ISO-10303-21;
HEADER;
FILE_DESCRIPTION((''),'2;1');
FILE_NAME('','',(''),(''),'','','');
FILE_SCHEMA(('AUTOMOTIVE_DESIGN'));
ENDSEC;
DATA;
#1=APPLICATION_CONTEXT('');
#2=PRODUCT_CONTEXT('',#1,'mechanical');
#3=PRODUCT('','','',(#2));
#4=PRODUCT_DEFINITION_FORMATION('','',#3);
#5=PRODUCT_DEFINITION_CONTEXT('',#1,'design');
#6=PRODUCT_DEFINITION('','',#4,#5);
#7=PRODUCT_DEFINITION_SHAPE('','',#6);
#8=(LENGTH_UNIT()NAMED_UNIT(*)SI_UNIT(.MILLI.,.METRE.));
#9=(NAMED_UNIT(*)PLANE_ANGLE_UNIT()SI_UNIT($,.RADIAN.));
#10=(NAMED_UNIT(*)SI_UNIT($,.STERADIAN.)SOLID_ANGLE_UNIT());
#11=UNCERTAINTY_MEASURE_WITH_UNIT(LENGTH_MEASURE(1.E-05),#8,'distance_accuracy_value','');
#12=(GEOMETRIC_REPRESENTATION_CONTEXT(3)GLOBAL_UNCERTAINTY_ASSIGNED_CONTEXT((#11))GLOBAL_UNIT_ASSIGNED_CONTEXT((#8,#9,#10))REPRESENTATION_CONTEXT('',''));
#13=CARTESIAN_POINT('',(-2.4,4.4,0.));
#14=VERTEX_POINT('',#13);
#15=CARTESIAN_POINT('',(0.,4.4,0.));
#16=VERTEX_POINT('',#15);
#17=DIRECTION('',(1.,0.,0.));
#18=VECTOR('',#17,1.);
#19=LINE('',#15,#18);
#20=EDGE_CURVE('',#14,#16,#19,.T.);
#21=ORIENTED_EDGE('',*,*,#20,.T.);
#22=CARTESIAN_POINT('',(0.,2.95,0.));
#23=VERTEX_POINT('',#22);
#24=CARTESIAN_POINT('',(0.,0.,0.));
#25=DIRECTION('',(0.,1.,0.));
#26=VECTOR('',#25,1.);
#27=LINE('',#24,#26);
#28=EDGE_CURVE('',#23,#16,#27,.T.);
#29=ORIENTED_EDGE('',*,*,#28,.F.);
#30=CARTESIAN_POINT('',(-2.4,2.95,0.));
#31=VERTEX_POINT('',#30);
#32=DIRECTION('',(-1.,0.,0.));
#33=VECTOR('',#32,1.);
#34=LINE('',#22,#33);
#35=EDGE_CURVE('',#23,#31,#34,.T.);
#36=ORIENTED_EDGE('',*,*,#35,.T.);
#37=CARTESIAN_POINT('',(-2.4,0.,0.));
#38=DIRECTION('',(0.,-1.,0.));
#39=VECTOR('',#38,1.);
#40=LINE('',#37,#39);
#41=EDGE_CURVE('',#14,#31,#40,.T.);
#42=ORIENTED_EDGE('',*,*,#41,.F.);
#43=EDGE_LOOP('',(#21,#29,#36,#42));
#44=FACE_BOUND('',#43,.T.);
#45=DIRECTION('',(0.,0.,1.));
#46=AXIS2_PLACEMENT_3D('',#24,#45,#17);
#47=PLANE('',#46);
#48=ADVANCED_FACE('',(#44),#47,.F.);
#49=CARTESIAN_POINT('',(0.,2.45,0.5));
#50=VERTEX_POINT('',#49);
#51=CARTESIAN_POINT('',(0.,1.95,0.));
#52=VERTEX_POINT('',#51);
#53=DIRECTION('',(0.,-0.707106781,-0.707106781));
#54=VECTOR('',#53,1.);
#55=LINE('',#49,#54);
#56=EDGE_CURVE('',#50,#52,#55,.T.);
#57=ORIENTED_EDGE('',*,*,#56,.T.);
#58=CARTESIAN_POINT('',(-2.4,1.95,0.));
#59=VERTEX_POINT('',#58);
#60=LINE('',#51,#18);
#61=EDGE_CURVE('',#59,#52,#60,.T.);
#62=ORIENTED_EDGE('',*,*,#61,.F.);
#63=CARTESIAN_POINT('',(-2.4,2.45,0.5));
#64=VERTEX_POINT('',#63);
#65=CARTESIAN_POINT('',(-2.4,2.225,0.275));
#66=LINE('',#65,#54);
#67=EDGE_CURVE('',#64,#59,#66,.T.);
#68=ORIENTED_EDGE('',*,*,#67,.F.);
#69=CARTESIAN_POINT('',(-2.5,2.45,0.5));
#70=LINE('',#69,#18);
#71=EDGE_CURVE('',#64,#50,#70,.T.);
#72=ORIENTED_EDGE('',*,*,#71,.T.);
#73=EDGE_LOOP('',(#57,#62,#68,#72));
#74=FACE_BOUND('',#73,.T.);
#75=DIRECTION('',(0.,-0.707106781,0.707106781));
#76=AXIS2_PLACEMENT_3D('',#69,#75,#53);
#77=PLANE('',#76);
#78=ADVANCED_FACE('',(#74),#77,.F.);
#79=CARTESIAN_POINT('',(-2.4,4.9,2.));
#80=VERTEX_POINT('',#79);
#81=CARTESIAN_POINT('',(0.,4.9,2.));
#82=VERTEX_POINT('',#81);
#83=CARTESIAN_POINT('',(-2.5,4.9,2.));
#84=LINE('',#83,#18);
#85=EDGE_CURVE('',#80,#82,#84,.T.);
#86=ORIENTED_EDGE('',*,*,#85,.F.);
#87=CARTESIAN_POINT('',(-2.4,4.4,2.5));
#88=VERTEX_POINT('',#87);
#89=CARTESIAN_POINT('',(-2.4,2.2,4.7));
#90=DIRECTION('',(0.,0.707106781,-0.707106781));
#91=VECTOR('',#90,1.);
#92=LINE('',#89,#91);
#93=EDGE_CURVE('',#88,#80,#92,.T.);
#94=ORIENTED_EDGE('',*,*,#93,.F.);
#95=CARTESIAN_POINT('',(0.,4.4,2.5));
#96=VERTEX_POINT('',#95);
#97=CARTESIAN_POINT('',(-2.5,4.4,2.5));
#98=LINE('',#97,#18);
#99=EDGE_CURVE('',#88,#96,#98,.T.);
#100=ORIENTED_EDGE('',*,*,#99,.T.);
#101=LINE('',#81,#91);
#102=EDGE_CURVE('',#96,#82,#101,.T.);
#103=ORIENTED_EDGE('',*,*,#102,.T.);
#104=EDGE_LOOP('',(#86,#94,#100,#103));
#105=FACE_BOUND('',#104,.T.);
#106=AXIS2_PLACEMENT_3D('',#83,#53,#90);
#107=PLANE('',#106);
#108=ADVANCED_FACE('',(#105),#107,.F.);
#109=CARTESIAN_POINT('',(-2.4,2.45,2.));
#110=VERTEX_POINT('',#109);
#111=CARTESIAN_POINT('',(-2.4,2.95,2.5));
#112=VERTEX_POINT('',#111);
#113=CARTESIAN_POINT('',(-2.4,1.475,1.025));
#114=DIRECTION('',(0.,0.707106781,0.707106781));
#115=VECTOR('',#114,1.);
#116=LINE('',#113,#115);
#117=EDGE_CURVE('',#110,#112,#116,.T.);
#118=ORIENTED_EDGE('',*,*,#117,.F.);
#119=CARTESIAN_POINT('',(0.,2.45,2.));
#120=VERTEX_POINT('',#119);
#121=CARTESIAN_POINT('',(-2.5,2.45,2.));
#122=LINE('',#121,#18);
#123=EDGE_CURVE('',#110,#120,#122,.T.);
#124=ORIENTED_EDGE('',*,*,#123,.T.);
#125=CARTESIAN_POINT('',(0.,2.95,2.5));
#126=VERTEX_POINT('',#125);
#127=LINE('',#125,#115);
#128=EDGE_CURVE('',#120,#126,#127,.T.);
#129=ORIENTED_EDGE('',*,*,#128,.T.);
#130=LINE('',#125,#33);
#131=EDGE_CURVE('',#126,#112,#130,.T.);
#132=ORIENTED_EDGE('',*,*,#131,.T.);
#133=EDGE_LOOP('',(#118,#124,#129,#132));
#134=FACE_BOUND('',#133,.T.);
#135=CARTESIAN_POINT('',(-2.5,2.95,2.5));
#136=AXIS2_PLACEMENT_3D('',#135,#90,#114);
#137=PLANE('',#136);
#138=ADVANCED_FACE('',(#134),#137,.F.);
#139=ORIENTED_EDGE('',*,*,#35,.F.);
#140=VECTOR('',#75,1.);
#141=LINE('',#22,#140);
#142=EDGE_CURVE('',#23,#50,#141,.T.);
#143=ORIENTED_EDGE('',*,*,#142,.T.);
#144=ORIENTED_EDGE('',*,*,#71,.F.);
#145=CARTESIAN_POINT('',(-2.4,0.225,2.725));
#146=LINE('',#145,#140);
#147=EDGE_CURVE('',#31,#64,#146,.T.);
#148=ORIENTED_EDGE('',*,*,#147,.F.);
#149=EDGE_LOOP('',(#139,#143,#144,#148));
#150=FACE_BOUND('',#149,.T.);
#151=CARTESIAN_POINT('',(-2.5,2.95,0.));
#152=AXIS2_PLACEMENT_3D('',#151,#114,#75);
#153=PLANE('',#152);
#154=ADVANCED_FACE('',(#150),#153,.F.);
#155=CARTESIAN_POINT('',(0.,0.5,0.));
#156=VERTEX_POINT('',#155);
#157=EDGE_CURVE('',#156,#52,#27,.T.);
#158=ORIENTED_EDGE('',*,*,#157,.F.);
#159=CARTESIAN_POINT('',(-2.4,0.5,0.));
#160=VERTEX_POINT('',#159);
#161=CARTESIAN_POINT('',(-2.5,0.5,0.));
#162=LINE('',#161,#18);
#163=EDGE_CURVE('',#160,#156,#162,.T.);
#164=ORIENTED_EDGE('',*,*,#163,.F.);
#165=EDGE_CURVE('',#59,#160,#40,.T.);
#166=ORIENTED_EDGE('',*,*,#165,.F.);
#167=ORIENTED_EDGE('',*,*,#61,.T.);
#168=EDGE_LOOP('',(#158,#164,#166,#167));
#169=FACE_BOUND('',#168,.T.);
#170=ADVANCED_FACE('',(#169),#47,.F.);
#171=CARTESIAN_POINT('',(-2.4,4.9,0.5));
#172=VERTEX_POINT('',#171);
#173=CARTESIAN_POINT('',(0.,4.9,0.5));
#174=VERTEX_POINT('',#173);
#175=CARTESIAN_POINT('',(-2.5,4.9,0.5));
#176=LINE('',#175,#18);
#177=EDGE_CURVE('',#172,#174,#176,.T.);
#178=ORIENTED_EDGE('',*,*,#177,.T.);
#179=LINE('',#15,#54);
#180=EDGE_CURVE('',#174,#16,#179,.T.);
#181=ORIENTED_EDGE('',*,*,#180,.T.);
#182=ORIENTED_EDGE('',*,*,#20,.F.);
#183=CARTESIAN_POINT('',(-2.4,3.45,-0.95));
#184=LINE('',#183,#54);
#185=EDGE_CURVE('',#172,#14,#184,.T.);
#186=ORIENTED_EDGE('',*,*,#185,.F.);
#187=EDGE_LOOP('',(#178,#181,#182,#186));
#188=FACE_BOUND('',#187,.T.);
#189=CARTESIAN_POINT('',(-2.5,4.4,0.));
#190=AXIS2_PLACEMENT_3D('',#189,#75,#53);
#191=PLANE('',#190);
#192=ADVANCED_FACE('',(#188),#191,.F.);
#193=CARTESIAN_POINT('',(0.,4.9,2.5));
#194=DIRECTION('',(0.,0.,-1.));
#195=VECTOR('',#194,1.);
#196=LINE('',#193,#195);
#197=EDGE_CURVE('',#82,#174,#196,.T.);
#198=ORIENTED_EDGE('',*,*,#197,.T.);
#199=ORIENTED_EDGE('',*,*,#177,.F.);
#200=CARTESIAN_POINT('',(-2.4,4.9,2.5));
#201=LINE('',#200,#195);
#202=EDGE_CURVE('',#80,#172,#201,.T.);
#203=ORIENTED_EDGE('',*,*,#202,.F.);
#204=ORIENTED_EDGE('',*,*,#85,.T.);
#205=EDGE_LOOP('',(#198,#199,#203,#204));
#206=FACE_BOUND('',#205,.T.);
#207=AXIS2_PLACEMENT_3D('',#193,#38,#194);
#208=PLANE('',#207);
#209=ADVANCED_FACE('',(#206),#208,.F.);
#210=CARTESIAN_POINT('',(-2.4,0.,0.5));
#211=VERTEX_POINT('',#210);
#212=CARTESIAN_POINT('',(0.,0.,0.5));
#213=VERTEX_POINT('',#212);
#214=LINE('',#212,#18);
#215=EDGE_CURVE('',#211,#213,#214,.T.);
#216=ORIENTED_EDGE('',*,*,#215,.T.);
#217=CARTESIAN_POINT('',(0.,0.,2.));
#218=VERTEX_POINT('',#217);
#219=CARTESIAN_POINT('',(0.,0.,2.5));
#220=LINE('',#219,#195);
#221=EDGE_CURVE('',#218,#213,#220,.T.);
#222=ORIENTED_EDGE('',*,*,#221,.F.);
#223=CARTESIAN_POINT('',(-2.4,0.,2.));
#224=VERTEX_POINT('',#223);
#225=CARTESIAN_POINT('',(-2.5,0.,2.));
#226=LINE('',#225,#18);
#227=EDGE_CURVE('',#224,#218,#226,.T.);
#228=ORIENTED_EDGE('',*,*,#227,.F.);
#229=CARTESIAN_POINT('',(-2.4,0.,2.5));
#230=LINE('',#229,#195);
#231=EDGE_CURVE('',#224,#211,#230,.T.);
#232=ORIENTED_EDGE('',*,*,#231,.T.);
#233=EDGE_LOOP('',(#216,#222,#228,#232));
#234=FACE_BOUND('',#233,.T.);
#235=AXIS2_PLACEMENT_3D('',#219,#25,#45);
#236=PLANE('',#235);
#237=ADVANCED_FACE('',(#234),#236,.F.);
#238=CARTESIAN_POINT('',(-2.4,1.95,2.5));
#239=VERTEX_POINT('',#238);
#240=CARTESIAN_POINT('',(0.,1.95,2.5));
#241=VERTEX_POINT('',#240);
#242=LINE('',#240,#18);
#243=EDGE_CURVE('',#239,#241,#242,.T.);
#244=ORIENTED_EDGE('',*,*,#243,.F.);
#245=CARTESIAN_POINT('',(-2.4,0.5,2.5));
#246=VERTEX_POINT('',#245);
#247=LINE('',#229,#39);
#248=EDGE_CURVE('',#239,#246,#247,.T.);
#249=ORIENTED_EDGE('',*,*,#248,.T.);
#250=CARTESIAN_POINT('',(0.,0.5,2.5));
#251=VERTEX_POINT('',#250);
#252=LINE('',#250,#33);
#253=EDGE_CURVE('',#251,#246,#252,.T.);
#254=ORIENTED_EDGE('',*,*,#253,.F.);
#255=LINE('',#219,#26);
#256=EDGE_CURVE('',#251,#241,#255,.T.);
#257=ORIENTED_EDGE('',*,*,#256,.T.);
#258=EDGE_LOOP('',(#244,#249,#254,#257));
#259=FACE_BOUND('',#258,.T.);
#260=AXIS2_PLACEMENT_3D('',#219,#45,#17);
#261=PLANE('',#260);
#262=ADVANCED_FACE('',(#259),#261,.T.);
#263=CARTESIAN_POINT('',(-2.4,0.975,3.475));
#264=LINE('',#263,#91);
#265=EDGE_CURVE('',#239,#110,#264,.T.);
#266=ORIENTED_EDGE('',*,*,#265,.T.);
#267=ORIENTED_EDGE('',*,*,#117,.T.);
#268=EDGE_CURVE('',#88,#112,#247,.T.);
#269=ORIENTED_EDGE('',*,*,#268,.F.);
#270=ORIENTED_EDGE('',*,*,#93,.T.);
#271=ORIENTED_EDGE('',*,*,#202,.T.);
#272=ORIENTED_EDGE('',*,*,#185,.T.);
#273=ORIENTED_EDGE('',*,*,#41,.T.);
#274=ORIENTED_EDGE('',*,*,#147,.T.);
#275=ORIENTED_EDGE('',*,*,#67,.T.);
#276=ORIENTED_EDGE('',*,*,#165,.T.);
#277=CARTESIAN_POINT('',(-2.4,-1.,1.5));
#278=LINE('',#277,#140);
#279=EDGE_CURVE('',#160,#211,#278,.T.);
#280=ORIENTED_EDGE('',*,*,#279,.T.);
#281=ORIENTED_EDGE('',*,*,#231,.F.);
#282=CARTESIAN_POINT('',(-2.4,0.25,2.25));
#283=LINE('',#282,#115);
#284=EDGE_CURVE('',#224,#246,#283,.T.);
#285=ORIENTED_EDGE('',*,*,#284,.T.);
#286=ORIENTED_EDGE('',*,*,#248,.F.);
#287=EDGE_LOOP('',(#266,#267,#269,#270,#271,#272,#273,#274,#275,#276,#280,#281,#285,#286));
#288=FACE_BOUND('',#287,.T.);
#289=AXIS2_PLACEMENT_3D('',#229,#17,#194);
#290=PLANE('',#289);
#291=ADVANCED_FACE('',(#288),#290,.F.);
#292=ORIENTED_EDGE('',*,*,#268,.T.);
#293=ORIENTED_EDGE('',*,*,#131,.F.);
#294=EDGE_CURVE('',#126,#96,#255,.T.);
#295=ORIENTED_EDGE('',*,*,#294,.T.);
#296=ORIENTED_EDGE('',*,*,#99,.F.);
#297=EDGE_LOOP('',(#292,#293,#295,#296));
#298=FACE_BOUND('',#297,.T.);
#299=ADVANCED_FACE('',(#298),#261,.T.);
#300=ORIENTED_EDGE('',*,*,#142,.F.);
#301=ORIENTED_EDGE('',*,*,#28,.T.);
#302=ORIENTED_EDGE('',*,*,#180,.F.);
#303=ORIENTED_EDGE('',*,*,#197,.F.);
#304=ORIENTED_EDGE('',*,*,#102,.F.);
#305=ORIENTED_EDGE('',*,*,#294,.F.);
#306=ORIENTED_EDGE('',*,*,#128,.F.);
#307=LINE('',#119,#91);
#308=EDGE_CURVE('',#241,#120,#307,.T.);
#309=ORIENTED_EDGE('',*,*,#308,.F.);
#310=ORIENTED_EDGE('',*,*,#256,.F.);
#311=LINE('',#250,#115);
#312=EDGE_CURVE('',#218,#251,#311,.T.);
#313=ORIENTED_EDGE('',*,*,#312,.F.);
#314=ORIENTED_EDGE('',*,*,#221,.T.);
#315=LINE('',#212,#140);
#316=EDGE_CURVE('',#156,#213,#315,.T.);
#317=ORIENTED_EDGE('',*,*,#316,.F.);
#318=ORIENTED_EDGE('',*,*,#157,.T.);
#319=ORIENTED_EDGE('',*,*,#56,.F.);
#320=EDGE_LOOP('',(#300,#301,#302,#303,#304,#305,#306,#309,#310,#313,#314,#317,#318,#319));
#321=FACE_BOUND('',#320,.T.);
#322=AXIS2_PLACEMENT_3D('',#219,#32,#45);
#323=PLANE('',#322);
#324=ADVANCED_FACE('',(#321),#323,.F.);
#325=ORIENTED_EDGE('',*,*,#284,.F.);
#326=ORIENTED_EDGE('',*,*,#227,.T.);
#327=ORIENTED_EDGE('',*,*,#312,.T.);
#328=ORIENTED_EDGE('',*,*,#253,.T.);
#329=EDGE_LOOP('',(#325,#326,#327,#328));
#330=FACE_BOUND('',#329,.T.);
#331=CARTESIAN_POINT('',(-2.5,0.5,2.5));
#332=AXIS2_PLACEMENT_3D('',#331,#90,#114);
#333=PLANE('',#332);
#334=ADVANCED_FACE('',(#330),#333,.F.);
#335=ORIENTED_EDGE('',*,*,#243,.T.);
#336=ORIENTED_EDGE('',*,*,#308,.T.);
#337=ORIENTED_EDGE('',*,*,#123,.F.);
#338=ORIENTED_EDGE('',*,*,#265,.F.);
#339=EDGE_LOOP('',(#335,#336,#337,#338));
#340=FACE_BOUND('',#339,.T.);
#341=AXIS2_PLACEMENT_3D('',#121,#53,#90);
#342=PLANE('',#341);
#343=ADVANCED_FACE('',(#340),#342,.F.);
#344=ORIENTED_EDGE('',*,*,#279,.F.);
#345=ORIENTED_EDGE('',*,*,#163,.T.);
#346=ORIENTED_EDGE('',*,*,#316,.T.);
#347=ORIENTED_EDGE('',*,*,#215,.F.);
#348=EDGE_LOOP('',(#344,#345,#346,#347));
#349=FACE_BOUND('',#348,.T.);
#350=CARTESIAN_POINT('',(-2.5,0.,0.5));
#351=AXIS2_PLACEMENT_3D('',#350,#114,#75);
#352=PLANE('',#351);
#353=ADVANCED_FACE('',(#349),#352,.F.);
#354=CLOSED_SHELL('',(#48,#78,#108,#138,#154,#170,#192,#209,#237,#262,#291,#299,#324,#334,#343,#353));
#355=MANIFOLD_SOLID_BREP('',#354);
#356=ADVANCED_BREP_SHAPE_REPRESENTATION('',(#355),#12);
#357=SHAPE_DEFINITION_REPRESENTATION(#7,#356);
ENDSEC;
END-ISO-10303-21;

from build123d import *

# Parameters (mm, degrees)
SKICA1_W                 = 2.4
SKICA1_H                 = 4.9
P_IDAT_VYSUNUT_M1_DEPTH  = 2.5
ODEBRAT_VYSUNUT_M1_DEPTH = 2.5


with BuildPart() as part:
    # Skica1 → Přidat vysunutím1 (new body)
    with BuildSketch(Plane.XY):
        with Locations((-1.2, 2.45)):
            Rectangle(SKICA1_W, SKICA1_H)
    extrude(amount=P_IDAT_VYSUNUT_M1_DEPTH)

    # Skica3 → Odebrat vysunutím1 (cut)
    with BuildSketch(Plane(origin=(0, 0, 0), x_dir=(0, 0, -1), z_dir=(1, 0, 0))):
        Polygon((-2.5, 2.95), (-2, 2.45), (-2.5, 1.95), align=None)
        Polygon((0, 2.95), (-0.5, 2.45), (0, 1.95), align=None)
        Polygon((-2, 4.9), (-2.5, 4.4), (-2.5, 4.9), align=None)
        Polygon((-2.5, 0.5), (-2, 0), (-2.5, 0), align=None)
        Polygon((-0.5, 0), (0, 0.5), (0, 0), align=None)
        Polygon((0, 4.9), (0, 4.4), (-0.5, 4.9), align=None)
    extrude(amount=-ODEBRAT_VYSUNUT_M1_DEPTH, mode=Mode.SUBTRACT)


solid = part.part
